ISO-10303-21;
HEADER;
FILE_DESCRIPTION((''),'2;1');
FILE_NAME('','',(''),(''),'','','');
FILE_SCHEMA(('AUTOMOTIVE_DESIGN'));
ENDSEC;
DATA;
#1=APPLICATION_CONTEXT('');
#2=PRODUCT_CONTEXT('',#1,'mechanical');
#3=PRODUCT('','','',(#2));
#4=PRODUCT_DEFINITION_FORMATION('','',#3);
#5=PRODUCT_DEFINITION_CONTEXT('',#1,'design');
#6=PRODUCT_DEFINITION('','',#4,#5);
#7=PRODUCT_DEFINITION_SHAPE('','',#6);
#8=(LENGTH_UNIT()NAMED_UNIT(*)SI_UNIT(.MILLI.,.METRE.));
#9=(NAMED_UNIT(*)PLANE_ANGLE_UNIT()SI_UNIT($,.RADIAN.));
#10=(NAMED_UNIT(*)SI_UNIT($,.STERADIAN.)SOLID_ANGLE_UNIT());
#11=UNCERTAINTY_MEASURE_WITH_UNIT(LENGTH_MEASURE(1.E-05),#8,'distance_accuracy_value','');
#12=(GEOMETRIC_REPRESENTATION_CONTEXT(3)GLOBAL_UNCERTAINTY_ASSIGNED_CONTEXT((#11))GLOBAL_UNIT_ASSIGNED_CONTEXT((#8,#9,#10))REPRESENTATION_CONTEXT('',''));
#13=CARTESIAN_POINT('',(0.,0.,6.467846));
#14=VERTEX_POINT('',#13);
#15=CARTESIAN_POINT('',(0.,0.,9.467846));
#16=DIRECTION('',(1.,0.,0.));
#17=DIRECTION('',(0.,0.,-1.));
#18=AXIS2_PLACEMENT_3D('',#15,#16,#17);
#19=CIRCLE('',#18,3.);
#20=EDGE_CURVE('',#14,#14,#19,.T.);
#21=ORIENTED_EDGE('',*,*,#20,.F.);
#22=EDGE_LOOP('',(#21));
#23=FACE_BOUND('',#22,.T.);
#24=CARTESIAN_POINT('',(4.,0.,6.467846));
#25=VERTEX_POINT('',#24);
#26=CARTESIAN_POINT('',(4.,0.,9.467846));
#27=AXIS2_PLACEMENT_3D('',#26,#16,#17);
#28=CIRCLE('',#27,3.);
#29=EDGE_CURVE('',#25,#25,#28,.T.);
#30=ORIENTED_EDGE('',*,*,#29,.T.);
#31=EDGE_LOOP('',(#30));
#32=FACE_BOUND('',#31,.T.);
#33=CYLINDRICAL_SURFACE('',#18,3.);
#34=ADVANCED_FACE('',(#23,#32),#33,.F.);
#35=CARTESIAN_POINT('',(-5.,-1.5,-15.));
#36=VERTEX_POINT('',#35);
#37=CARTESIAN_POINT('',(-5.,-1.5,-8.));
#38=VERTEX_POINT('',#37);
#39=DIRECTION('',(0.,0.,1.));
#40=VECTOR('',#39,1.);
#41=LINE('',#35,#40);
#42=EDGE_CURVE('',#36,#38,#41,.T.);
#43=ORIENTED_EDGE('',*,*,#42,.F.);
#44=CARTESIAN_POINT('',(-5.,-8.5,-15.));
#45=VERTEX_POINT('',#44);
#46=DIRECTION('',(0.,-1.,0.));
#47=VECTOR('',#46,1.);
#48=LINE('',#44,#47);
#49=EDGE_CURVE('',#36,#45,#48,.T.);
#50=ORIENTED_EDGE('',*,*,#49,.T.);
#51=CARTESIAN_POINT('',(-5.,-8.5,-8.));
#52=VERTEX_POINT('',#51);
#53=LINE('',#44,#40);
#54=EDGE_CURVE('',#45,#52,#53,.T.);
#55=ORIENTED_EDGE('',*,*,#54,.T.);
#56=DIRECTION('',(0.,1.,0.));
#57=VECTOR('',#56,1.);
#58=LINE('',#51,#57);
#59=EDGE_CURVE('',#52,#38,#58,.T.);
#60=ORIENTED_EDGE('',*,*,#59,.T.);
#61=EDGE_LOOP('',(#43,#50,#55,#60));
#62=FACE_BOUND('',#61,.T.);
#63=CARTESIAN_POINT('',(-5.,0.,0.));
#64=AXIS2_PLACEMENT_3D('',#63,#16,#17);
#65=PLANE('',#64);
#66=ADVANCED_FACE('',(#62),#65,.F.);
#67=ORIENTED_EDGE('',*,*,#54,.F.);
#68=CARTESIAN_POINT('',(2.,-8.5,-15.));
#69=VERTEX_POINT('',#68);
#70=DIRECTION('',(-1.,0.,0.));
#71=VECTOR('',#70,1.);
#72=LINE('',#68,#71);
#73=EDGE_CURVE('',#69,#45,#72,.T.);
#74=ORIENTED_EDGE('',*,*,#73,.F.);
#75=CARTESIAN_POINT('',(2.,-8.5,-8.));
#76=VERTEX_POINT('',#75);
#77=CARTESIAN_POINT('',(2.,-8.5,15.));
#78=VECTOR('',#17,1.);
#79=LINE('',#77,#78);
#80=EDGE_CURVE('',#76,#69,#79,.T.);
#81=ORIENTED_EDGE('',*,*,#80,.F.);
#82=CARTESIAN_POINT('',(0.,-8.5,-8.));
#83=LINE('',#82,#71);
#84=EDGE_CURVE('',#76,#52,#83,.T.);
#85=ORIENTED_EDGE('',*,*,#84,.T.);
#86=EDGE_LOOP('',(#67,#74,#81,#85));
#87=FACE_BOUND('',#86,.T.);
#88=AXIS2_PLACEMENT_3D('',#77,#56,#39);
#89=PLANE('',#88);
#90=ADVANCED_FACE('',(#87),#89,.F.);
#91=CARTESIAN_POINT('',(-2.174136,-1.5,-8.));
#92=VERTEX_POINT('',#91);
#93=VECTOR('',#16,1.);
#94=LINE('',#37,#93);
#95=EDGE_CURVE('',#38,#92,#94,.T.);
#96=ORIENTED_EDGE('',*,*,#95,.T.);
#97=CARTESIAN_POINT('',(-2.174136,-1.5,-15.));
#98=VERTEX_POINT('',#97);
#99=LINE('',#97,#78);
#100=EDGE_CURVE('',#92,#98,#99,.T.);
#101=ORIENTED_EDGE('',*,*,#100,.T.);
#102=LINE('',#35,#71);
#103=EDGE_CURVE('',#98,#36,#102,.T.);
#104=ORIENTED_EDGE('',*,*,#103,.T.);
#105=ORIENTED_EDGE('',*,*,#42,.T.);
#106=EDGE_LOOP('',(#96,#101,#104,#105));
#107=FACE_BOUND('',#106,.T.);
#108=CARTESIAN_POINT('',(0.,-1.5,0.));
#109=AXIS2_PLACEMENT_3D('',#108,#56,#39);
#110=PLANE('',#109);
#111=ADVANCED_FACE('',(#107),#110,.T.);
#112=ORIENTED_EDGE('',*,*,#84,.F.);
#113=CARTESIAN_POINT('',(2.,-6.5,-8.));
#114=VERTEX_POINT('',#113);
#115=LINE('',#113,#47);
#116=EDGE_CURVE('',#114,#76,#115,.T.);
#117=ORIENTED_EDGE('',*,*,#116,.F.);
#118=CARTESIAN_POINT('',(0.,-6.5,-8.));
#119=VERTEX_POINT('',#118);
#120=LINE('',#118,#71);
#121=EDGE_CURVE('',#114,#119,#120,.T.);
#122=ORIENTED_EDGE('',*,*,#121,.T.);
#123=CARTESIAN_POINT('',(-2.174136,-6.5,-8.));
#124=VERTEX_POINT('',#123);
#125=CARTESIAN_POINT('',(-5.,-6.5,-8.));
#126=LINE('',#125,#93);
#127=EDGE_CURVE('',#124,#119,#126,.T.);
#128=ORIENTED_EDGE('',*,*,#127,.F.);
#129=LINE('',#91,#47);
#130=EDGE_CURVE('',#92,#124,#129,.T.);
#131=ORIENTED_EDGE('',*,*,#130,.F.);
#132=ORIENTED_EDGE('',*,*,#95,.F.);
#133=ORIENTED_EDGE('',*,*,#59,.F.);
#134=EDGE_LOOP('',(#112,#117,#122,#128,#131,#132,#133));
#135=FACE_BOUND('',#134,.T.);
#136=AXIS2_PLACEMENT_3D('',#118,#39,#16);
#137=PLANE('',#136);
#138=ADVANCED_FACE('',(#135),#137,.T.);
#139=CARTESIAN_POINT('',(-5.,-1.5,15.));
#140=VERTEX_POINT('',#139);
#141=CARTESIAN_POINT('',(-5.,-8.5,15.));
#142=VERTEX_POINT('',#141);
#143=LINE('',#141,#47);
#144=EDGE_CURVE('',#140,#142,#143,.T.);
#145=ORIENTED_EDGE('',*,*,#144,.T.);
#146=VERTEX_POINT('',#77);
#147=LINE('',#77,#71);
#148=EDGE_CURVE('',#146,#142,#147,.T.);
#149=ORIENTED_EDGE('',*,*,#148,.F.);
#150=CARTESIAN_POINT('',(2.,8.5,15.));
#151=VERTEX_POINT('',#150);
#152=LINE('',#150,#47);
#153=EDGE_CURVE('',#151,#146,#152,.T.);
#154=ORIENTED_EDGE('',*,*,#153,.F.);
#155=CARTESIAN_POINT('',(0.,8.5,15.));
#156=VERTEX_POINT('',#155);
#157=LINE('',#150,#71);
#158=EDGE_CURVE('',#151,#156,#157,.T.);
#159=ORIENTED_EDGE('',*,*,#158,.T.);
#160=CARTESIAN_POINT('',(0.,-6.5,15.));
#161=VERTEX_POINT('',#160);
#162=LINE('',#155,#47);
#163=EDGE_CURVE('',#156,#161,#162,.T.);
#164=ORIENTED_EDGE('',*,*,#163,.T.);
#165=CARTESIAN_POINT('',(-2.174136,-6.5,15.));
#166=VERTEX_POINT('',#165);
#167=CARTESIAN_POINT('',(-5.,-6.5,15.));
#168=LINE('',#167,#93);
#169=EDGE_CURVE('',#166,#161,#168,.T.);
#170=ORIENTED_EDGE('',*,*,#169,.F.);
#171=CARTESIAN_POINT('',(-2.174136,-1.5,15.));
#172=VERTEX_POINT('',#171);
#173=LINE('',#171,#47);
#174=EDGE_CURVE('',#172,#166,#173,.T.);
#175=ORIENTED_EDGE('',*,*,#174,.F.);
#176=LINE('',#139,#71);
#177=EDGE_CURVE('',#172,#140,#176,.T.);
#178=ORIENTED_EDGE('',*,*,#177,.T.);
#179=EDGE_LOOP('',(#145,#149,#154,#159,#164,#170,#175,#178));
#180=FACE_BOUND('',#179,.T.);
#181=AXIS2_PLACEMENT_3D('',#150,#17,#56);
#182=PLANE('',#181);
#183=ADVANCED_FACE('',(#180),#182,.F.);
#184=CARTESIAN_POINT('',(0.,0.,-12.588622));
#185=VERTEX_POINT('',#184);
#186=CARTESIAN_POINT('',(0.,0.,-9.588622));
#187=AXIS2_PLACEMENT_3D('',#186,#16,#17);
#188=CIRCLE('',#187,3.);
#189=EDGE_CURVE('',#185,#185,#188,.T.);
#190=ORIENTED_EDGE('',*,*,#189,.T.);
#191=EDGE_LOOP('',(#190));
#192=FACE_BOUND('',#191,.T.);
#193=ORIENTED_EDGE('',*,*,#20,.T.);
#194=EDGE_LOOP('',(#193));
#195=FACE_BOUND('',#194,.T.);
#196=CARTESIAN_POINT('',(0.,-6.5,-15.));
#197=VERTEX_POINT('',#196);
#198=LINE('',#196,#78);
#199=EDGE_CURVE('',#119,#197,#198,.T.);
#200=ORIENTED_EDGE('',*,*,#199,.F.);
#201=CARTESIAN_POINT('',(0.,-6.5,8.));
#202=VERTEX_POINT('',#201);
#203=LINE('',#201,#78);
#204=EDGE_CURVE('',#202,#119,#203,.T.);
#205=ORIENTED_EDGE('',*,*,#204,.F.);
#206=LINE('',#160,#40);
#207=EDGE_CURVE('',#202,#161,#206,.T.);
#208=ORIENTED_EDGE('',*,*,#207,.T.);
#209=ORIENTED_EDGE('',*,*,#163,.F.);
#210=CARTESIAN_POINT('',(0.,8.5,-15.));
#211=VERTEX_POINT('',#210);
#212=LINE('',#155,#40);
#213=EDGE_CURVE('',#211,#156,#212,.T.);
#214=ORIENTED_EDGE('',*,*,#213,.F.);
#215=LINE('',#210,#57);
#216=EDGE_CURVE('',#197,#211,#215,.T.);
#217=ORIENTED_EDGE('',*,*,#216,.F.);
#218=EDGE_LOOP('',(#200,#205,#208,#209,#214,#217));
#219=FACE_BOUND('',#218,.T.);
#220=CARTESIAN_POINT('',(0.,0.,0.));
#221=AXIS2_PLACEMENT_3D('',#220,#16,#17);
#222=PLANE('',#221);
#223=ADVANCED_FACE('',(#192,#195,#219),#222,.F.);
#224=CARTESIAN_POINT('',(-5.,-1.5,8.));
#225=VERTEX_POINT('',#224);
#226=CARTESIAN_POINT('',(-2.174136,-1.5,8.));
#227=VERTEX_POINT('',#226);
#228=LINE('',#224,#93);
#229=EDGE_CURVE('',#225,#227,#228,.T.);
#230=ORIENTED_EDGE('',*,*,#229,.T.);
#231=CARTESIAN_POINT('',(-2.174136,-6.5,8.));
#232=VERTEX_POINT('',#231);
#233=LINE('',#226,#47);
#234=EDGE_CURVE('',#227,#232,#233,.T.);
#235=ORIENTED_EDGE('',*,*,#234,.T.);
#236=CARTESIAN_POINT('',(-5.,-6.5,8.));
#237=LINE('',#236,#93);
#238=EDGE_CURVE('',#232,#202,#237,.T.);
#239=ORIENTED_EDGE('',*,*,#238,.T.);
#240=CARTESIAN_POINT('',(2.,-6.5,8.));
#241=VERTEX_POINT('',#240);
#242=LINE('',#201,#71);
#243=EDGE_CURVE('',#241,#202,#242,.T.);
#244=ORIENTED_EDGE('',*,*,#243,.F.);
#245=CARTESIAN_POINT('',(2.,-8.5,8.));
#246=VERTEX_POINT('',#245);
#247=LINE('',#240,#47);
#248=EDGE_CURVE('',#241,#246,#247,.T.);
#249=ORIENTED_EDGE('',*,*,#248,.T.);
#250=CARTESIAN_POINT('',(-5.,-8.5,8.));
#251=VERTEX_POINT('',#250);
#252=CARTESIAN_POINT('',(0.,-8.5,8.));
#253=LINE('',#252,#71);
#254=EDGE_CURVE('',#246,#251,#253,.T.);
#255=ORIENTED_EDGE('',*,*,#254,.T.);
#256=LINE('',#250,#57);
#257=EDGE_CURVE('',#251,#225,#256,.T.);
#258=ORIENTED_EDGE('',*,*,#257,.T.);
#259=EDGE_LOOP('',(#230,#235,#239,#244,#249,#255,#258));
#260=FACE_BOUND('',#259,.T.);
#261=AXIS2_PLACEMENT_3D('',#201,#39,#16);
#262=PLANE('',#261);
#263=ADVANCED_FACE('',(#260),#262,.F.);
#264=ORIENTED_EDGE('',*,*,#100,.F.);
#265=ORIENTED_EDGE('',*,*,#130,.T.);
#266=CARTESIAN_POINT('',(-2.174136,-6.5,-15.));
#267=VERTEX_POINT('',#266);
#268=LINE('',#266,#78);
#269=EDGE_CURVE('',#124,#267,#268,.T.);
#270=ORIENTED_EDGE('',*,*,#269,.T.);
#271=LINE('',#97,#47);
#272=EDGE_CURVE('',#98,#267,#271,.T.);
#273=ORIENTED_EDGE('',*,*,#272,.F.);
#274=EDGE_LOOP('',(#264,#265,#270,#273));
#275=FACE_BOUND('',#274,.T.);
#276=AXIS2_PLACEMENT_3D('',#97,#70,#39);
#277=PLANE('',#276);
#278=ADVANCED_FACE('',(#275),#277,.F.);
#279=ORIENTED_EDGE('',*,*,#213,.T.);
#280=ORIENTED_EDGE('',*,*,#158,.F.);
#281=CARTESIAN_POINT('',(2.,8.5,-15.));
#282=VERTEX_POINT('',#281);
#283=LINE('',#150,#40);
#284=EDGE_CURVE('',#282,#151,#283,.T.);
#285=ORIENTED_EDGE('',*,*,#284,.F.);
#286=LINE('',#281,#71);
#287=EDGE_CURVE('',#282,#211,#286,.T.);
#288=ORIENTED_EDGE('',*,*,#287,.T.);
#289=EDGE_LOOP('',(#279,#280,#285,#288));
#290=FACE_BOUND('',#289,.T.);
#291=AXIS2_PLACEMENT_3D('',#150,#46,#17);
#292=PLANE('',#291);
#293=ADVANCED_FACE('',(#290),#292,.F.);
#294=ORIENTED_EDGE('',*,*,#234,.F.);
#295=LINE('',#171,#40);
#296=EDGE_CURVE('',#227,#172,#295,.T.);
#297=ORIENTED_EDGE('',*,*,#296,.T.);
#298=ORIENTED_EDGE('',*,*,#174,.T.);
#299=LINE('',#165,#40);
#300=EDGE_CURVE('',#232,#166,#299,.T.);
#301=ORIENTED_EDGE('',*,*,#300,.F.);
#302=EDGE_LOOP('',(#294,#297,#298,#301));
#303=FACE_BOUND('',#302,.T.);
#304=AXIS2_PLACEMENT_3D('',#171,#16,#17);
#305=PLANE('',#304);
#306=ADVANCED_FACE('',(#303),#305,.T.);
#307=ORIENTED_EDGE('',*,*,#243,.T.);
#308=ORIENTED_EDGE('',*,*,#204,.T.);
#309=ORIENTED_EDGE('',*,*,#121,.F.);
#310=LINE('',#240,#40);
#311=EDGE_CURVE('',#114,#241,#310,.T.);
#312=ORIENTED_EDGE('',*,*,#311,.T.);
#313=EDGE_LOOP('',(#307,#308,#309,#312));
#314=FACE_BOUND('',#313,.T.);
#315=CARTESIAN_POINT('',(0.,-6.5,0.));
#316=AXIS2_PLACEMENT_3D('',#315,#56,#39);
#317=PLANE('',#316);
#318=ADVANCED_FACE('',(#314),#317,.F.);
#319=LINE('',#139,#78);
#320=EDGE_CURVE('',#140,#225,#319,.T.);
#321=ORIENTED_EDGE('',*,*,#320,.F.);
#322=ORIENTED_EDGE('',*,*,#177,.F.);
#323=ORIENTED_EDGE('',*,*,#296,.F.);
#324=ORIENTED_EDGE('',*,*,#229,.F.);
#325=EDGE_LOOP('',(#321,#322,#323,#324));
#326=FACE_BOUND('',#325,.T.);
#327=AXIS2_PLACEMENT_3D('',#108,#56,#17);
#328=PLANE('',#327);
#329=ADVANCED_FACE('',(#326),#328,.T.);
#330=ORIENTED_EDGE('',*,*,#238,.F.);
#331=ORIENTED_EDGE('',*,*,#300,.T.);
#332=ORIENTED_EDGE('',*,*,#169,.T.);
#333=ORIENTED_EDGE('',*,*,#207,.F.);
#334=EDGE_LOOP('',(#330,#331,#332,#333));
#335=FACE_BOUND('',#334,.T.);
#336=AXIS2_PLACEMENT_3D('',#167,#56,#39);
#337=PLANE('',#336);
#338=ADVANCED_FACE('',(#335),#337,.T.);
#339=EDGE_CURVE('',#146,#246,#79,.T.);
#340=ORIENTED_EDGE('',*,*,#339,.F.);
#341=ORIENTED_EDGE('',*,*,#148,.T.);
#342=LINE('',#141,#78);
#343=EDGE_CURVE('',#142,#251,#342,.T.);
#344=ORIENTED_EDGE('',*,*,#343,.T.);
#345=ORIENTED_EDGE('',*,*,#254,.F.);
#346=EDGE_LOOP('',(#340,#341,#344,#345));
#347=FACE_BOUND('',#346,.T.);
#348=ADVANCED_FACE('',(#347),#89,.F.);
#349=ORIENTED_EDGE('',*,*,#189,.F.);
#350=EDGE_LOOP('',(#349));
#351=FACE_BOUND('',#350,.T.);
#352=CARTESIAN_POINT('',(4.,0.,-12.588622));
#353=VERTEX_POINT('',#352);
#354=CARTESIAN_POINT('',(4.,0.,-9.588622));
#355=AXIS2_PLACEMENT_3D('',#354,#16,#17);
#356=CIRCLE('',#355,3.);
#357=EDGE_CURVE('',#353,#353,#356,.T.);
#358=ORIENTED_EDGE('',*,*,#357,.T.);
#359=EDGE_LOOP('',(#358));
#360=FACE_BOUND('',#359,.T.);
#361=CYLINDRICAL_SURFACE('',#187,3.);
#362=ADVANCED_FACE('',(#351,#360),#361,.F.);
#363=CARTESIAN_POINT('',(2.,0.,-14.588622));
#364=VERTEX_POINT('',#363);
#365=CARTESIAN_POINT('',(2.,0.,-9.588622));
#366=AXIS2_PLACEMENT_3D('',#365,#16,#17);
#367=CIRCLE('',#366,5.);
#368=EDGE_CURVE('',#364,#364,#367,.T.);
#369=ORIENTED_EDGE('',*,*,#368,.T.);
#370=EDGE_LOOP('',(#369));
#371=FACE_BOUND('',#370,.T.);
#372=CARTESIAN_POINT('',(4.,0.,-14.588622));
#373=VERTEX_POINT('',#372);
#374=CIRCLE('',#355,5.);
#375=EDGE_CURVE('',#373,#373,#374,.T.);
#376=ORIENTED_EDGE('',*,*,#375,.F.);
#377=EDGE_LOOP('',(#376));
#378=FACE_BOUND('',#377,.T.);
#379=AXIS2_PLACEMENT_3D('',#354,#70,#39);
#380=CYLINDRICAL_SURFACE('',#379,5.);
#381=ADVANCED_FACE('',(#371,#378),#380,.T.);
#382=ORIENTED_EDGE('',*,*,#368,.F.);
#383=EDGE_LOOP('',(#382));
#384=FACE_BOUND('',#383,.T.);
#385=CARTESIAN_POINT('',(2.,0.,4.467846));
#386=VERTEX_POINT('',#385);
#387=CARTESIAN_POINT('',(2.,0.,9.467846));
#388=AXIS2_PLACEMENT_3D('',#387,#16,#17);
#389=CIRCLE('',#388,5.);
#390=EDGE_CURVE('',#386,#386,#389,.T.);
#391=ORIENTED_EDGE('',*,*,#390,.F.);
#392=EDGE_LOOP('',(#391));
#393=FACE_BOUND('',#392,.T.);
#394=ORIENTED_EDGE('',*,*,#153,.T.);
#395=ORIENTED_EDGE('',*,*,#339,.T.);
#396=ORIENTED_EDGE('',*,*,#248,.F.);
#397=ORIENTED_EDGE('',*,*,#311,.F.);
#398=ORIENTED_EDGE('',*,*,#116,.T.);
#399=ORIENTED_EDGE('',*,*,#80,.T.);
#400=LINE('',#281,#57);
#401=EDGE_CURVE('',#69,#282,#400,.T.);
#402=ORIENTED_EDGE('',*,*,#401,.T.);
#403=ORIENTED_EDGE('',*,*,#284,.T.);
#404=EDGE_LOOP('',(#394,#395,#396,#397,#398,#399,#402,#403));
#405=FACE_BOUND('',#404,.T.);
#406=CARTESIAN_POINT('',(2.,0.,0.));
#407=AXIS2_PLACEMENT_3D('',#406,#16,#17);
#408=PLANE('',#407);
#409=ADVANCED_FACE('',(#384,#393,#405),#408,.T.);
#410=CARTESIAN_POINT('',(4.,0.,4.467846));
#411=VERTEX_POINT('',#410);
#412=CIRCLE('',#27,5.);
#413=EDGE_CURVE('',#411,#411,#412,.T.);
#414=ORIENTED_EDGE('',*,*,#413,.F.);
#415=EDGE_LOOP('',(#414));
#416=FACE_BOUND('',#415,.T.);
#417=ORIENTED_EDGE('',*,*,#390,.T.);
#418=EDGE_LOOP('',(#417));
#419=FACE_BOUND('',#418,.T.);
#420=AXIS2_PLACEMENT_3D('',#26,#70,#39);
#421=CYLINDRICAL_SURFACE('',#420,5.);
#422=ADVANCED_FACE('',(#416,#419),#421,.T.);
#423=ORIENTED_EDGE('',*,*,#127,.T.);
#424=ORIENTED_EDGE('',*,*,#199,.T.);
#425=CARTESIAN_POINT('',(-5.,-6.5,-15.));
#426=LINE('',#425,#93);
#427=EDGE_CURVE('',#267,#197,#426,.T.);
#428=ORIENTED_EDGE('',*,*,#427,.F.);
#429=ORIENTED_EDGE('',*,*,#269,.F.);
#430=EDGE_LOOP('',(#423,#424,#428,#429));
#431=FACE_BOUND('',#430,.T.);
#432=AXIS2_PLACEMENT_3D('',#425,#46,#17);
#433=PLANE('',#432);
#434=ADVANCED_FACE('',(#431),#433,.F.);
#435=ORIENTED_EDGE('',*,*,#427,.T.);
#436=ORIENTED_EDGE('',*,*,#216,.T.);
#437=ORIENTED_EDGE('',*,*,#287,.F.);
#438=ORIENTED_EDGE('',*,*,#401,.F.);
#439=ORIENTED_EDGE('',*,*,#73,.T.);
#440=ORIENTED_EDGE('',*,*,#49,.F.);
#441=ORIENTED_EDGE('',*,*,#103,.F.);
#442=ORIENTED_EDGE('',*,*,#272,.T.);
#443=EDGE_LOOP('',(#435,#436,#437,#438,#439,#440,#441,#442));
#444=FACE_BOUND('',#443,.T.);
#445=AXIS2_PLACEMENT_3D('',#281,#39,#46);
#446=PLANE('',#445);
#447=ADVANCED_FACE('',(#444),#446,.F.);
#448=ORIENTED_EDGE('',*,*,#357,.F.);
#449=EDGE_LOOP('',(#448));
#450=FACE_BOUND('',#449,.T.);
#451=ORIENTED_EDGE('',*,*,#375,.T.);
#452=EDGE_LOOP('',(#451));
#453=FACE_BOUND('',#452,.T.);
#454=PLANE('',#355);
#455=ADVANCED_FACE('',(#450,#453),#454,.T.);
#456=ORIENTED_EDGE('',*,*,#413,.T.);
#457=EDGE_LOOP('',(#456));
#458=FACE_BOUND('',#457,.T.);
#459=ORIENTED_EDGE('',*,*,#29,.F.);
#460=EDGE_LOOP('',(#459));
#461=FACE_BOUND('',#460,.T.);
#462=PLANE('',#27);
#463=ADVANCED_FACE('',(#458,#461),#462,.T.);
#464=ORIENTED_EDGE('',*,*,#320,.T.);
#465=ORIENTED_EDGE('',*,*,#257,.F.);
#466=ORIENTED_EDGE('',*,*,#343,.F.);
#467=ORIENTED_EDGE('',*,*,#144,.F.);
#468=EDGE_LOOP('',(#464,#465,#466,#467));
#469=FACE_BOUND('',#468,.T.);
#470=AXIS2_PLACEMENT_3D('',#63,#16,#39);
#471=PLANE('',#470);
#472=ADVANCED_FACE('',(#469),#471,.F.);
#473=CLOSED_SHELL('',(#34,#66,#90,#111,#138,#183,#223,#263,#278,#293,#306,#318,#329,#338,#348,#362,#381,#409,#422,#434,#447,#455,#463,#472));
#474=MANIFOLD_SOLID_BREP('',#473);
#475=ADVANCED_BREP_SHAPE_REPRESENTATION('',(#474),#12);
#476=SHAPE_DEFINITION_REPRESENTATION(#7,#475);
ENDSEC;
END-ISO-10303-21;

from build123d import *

# Parameters (mm, degrees)
ESQUISSE1_W             = 30
ESQUISSE1_H             = 17
BOSS_EXTRU_1_DEPTH      = 2
ESQUISSE2_R             = 5
BOSS_EXTRU_2_DEPTH      = 2
ESQUISSE3_R             = 3
ENL_V_MAT_EXTRU_1_DEPTH = 18.69887002
ESQUISSE4_R             = 3
ENL_V_MAT_EXTRU_2_DEPTH = 18.69887002
ESQUISSE7_W             = 2
ESQUISSE7_H             = 8
ENL_V_MAT_EXTRU_3_DEPTH = 2
ESQUISSE8_W             = 7
ESQUISSE8_H             = 2
BOSS_EXTRU_3_DEPTH      = 5
ESQUISSE12_W            = 2.825864409
ESQUISSE12_H            = 7
BOSS_EXTRU_4_DEPTH      = 5


with BuildPart() as part:
    # Esquisse1 → Boss.-Extru.1 (new body)
    with BuildSketch(Plane(origin=(0, 0, 0), x_dir=(0, 0, -1), z_dir=(1, 0, 0))):
        Rectangle(ESQUISSE1_W, ESQUISSE1_H)
    extrude(amount=BOSS_EXTRU_1_DEPTH)

    # Esquisse2 → Boss.-Extru.2 (add)
    with BuildSketch(Plane(origin=(2, 0, 0), x_dir=(0, 0, -1), z_dir=(1, 0, 0))):
        with Locations((-9.467846224, 0)):
            Circle(ESQUISSE2_R)
        with Locations((9.588622493, 0)):
            Circle(ESQUISSE2_R)
    extrude(amount=BOSS_EXTRU_2_DEPTH)

    # Esquisse3 → Enlèv. mat.-Extru.1 (cut, through all)
    with BuildSketch(Plane(origin=(4, 0, 0), x_dir=(0, 0, -1), z_dir=(1, 0, 0))):
        with Locations((-9.467846224, 0)):
            Circle(ESQUISSE3_R)
    extrude(amount=-ENL_V_MAT_EXTRU_1_DEPTH, mode=Mode.SUBTRACT)

    # Esquisse4 → Enlèv. mat.-Extru.2 (cut, through all)
    with BuildSketch(Plane(origin=(4, 0, 0), x_dir=(0, 0, -1), z_dir=(1, 0, 0))):
        with Locations((9.588622493, 0)):
            Circle(ESQUISSE4_R)
    extrude(amount=-ENL_V_MAT_EXTRU_2_DEPTH, mode=Mode.SUBTRACT)

    # Esquisse7 → Enlèv. mat.-Extru.3 (cut)
    with BuildSketch(Plane.XZ.offset(8.5)):
        with Locations((1, 4)):
            Rectangle(ESQUISSE7_W, ESQUISSE7_H)
    enl_v_mat_extru_3 = extrude(amount=-ENL_V_MAT_EXTRU_3_DEPTH, mode=Mode.SUBTRACT)

    # Symétrie1: Enlèv. mat.-Extru.3 across plane
    add(enl_v_mat_extru_3.mirror(Plane.XY), mode=Mode.SUBTRACT)

    # Esquisse8 → Boss.-Extru.3 (add)
    with BuildSketch(Plane.ZY):
        with Locations((-11.5, -7.5)):
            Rectangle(ESQUISSE8_W, ESQUISSE8_H)
    boss_extru_3 = extrude(amount=BOSS_EXTRU_3_DEPTH)

    # Esquisse12 → Boss.-Extru.4 (add)
    with BuildSketch(Plane(origin=(0, -6.5, 0), x_dir=(1, 0, 0), z_dir=(0, 1, 0))):
        with Locations((-3.587067796, 11.5)):
            Rectangle(ESQUISSE12_W, ESQUISSE12_H)
    boss_extru_4 = extrude(amount=BOSS_EXTRU_4_DEPTH)

    # Symétrie2: Boss.-Extru.3, Boss.-Extru.4 across plane
    add(boss_extru_3.mirror(Plane.XY))
    add(boss_extru_4.mirror(Plane.XY))


solid = part.part
